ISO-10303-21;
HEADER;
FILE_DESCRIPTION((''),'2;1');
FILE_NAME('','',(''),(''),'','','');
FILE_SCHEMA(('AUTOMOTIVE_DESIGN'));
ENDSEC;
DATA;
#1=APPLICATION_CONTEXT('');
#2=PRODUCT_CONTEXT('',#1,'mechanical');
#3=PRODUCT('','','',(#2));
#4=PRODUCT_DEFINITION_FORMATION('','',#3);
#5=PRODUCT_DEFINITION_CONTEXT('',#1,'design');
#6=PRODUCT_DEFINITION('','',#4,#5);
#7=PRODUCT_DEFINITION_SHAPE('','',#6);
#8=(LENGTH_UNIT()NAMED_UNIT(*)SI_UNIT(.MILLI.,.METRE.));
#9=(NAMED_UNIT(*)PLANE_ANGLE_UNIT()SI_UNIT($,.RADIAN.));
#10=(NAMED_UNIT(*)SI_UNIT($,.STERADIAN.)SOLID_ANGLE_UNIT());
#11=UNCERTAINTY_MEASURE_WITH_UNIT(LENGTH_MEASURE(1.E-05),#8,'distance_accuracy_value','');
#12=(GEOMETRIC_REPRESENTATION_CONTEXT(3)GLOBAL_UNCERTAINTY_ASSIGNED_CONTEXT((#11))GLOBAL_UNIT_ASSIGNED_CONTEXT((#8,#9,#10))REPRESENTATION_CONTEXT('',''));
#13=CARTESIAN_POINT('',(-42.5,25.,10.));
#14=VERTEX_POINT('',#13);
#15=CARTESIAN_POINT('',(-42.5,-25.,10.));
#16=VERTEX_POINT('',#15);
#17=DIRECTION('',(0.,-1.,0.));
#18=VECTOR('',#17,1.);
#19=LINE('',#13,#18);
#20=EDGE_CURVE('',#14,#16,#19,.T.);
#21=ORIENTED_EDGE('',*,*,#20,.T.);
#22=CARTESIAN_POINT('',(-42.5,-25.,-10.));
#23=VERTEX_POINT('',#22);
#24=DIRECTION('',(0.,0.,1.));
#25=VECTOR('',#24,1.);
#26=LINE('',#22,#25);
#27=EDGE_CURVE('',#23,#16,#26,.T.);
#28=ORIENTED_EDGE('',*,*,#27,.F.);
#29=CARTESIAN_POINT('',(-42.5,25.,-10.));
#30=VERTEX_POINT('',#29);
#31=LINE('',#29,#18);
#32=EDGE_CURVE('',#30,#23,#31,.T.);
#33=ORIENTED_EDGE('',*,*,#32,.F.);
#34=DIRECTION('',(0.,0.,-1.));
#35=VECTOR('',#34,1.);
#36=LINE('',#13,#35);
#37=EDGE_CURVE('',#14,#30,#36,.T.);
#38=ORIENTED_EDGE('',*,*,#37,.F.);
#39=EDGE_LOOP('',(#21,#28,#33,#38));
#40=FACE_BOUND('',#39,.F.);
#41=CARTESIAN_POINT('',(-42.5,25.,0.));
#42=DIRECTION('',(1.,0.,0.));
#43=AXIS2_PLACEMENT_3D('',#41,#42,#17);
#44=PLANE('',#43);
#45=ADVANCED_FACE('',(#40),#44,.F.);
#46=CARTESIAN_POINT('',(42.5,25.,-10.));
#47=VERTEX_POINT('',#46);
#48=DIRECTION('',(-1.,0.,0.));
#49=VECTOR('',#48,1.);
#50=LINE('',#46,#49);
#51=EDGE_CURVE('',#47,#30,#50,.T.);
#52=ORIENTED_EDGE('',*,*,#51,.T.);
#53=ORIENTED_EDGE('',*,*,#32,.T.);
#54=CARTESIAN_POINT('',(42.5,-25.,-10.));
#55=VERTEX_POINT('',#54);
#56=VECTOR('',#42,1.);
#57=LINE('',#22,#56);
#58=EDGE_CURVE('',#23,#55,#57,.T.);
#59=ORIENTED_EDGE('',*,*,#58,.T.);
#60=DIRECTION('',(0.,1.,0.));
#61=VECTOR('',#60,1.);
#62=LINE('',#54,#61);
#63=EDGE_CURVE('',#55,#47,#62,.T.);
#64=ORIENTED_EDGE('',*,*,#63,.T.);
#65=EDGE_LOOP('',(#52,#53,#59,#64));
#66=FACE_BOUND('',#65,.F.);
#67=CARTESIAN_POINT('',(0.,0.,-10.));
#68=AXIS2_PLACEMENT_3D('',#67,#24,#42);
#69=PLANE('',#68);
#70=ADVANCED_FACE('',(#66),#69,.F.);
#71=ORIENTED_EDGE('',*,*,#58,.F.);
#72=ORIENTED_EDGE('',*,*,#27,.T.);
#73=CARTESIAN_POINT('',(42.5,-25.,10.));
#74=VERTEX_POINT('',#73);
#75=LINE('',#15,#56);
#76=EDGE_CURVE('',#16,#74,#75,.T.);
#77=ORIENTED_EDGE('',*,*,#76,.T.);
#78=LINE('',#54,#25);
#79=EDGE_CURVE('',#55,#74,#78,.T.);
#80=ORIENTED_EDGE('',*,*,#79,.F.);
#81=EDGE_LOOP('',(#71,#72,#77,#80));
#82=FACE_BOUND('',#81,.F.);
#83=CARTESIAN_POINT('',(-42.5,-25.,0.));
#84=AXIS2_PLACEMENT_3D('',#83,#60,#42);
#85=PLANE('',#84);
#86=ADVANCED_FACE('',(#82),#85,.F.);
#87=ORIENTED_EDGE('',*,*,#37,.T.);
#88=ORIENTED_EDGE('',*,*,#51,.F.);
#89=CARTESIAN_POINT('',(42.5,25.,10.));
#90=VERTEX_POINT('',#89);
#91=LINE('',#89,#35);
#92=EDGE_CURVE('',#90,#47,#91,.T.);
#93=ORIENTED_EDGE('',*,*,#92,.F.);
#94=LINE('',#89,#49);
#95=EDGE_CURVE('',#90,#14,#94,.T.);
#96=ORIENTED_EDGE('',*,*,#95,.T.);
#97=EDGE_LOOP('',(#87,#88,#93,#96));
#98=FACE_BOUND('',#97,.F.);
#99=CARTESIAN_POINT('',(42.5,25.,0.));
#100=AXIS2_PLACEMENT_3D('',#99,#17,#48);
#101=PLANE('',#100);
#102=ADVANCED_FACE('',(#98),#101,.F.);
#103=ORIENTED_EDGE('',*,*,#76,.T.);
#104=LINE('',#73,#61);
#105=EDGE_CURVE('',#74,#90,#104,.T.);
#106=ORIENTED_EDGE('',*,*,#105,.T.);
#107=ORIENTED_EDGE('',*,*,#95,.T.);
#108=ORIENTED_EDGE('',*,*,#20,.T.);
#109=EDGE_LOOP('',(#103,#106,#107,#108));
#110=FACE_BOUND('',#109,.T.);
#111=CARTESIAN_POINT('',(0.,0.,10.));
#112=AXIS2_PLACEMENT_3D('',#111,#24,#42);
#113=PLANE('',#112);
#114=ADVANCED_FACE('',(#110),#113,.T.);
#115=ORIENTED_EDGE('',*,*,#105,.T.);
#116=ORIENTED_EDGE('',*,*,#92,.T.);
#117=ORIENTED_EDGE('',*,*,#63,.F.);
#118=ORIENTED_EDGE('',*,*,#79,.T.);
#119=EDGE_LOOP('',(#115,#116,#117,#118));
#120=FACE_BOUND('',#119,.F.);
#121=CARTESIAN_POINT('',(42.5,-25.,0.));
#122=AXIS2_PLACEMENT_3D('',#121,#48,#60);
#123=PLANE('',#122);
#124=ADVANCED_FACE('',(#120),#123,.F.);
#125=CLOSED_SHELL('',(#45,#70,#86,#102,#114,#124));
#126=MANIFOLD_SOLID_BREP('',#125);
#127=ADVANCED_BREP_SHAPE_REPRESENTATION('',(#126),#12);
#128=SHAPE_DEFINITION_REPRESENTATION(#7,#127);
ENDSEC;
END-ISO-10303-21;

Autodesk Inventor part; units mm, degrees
ref_plane "YZ Plane" through (0, 0, 0) normal (1, 0, 0) x (0, 1, 0)
ref_plane "XZ Plane" through (0, 0, 0) normal (0, 1, 0) x (-1, 0, 0)
ref_plane "XY Plane" through (0, 0, 0) normal (0, 0, 1) x (1, 0, 0)
sketch "Szkic1" plane through (0, 0, 0) normal (0, 0, 1) x (1, 0, 0)
  line L0 (-42.5, -25) -> (42.5, -25)
  line L1 (42.5, -25) -> (42.5, 25)
  line L2 (42.5, 25) -> (-42.5, 25)
  line L3 (-42.5, 25) -> (-42.5, -25)
  line L4 (-42.5, -25) -> (42.5, 25) construction
  line L5 (42.5, -25) -> (-42.5, 25) construction
  point P0 (0, 0)
  dimension "d0" = 85
  dimension "d1" = 50
extrude "Wyciągnięcie proste1" add sketch "Szkic1" along normal mid plane 20
properties part number "rbc"
